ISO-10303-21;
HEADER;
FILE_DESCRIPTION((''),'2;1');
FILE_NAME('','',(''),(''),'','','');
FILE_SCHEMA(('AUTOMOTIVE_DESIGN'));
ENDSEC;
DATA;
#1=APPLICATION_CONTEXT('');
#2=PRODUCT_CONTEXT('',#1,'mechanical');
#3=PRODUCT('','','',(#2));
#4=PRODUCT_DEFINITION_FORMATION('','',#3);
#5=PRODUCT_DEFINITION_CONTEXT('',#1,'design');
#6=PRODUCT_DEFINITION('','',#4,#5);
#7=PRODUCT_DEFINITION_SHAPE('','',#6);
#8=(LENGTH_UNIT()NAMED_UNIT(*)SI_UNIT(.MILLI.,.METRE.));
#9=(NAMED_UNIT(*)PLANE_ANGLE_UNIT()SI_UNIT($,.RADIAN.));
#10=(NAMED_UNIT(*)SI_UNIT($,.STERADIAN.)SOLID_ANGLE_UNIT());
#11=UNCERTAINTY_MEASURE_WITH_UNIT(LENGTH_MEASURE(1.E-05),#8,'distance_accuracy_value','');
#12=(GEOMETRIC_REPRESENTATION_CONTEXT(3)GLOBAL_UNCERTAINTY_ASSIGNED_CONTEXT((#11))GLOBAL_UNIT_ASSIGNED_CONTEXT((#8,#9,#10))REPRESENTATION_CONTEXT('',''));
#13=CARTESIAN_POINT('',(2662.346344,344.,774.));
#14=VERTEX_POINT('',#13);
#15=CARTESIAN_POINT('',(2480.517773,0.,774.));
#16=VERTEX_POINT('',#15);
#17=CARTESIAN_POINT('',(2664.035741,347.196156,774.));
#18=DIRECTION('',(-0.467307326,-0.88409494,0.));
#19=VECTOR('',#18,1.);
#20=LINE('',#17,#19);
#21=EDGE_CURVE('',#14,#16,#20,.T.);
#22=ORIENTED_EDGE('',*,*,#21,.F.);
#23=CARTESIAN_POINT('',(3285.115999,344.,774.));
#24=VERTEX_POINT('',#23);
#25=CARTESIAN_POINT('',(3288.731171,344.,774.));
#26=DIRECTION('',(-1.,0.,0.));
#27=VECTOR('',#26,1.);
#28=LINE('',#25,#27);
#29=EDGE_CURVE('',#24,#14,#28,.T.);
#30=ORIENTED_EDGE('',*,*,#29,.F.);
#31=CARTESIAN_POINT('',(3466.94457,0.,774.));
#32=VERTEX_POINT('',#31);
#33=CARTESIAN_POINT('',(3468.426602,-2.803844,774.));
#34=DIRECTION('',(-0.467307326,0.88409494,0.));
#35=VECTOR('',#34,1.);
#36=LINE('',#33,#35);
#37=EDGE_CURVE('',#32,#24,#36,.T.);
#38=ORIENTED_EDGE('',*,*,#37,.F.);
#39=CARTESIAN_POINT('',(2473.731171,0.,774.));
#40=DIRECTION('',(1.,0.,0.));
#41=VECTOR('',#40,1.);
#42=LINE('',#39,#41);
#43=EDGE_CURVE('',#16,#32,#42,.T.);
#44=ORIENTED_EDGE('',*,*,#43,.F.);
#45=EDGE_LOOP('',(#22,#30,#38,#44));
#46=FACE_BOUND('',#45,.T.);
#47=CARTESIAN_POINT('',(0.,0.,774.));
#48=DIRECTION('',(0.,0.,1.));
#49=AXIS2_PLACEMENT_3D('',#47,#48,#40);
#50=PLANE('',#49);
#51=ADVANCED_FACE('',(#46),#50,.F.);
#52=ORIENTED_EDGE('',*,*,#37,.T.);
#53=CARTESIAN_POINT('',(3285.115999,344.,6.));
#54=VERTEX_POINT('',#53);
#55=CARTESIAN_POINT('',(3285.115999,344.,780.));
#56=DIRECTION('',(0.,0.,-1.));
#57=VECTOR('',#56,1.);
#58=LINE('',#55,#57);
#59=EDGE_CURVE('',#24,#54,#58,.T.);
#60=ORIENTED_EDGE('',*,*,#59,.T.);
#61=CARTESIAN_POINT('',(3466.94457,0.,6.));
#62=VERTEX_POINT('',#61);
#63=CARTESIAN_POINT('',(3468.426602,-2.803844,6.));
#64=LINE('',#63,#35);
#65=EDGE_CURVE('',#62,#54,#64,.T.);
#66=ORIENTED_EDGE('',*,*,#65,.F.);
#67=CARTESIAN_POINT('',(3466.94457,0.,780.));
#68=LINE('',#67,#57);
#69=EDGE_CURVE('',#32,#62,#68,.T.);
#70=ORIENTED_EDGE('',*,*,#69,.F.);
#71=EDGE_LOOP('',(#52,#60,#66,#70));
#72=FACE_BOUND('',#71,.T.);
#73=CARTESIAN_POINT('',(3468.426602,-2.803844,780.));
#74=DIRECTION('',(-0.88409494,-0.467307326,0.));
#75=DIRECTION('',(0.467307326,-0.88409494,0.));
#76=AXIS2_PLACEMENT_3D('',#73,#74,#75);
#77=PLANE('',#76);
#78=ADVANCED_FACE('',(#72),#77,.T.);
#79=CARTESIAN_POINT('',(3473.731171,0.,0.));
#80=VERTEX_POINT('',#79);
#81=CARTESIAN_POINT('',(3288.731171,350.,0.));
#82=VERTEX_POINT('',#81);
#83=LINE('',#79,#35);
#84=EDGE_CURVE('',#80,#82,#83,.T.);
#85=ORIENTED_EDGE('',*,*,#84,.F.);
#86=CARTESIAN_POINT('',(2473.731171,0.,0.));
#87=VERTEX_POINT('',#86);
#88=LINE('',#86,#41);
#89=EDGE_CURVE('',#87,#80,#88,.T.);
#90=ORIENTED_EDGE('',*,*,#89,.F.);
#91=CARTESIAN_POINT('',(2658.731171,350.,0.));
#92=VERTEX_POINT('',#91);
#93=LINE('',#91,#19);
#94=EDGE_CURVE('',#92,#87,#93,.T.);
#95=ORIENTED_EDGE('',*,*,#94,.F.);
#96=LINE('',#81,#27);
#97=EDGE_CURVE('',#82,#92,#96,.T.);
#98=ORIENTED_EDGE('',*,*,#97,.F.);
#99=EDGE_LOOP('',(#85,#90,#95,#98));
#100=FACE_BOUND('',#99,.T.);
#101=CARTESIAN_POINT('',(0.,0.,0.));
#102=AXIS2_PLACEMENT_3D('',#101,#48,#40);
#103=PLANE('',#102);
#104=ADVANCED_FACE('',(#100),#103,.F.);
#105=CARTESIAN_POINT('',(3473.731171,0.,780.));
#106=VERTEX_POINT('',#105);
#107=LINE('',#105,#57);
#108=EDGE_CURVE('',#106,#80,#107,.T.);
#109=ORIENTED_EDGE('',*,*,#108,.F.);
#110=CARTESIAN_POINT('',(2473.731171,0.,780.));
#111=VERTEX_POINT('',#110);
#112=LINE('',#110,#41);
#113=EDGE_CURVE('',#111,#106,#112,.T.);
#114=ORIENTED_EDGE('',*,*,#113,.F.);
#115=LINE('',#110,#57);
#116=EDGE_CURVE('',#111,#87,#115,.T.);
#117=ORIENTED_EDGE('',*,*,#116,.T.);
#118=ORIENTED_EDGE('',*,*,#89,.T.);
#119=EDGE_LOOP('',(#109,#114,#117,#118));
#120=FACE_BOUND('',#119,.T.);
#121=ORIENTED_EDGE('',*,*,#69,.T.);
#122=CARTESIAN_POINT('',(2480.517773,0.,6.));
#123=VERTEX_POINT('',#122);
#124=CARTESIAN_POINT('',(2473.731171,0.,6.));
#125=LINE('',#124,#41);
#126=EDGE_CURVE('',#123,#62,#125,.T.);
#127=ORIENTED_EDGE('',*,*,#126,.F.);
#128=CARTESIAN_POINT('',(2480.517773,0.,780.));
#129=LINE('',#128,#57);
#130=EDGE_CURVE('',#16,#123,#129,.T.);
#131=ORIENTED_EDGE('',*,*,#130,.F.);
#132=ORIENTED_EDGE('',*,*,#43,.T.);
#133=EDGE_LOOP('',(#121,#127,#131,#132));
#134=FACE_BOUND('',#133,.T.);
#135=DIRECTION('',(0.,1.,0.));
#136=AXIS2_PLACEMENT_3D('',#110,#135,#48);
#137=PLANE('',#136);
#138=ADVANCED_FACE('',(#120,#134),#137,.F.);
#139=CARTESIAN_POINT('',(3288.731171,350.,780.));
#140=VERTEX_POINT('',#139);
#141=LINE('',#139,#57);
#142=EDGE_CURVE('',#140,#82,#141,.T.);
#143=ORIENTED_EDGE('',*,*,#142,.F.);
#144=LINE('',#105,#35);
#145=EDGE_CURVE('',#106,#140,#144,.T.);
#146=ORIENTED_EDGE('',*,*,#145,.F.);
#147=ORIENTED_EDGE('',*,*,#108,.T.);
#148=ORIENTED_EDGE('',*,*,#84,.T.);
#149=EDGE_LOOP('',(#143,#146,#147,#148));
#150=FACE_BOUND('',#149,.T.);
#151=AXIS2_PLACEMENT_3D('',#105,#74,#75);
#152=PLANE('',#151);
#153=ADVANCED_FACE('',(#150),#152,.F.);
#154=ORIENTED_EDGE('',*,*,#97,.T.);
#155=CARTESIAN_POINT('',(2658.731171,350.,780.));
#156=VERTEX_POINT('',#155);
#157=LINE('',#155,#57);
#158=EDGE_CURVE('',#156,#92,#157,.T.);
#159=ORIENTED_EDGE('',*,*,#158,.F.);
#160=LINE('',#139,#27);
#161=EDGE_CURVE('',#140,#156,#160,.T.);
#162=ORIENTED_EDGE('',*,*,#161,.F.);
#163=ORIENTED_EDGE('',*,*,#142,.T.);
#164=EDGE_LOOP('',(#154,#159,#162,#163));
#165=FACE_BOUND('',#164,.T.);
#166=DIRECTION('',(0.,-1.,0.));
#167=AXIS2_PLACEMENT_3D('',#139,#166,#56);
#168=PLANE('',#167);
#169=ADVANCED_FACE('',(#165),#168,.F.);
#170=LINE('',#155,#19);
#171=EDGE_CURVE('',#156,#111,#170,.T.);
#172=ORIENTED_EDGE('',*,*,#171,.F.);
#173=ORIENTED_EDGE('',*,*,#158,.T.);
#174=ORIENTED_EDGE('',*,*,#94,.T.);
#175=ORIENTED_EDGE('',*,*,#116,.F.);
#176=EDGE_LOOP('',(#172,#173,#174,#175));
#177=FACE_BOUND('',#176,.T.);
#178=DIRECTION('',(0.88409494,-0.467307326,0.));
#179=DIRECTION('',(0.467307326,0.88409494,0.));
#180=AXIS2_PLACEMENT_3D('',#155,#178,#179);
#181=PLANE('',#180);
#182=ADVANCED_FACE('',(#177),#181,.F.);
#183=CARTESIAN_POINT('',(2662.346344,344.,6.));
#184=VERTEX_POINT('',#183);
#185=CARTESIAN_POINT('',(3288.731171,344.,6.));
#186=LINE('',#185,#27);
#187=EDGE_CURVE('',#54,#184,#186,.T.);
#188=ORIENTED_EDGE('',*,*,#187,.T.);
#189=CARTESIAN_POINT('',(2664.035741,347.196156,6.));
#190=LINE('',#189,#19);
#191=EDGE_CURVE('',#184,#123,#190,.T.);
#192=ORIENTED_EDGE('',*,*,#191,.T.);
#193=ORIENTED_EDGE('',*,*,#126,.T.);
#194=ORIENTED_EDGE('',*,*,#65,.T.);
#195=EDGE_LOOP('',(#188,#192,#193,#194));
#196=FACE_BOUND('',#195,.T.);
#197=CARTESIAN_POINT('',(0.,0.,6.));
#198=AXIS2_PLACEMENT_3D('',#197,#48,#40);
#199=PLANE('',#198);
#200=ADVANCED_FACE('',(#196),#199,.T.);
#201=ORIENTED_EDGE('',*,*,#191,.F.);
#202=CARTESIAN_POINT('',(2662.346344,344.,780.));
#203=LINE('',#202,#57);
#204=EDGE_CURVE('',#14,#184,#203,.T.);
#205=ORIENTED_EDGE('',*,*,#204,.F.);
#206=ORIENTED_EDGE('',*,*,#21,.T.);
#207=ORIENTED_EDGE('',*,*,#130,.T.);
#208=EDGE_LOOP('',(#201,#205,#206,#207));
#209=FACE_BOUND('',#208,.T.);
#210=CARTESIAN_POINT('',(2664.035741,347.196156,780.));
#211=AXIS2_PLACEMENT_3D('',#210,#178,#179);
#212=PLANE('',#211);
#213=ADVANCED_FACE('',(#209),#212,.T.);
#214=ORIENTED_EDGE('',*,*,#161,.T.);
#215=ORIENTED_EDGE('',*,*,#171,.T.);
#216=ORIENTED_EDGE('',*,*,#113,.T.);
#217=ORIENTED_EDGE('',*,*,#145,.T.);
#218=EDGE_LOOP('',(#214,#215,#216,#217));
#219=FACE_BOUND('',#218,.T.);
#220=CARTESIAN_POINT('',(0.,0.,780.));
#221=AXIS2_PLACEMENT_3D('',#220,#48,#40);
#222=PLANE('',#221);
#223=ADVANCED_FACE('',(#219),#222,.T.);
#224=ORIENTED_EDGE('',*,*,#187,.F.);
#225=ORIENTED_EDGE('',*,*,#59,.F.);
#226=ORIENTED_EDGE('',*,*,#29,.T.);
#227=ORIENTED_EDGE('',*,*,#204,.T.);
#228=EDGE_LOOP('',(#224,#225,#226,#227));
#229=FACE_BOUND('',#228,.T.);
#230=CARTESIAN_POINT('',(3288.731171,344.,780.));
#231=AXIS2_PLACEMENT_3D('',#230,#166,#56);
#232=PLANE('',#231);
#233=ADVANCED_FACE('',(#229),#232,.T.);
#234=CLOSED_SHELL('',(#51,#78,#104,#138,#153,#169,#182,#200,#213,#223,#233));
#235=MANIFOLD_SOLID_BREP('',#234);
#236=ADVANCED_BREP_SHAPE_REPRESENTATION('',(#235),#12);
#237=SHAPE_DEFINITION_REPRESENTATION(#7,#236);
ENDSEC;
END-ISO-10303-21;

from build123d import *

# Parameters (mm, degrees)
BOSS_EXTRUDE1_DEPTH = 780
SHELL1_T            = -6


with BuildPart() as part:
    # Sketch2 → Boss-Extrude1 (new body)
    with BuildSketch(Plane.XY):
        Polygon((2473.731171405, 0), (3473.731171405, 0), (3288.731171405, 350), (2658.731171405, 350), align=None)
    extrude(amount=BOSS_EXTRUDE1_DEPTH)

    # Shell1
    shell1_openings = [part.faces().sort_by_distance(p)[0] for p in [
        (2973.731171405, 0, 390),
    ]]
    offset(amount=SHELL1_T, openings=shell1_openings, kind=Kind.INTERSECTION)


solid = part.part
